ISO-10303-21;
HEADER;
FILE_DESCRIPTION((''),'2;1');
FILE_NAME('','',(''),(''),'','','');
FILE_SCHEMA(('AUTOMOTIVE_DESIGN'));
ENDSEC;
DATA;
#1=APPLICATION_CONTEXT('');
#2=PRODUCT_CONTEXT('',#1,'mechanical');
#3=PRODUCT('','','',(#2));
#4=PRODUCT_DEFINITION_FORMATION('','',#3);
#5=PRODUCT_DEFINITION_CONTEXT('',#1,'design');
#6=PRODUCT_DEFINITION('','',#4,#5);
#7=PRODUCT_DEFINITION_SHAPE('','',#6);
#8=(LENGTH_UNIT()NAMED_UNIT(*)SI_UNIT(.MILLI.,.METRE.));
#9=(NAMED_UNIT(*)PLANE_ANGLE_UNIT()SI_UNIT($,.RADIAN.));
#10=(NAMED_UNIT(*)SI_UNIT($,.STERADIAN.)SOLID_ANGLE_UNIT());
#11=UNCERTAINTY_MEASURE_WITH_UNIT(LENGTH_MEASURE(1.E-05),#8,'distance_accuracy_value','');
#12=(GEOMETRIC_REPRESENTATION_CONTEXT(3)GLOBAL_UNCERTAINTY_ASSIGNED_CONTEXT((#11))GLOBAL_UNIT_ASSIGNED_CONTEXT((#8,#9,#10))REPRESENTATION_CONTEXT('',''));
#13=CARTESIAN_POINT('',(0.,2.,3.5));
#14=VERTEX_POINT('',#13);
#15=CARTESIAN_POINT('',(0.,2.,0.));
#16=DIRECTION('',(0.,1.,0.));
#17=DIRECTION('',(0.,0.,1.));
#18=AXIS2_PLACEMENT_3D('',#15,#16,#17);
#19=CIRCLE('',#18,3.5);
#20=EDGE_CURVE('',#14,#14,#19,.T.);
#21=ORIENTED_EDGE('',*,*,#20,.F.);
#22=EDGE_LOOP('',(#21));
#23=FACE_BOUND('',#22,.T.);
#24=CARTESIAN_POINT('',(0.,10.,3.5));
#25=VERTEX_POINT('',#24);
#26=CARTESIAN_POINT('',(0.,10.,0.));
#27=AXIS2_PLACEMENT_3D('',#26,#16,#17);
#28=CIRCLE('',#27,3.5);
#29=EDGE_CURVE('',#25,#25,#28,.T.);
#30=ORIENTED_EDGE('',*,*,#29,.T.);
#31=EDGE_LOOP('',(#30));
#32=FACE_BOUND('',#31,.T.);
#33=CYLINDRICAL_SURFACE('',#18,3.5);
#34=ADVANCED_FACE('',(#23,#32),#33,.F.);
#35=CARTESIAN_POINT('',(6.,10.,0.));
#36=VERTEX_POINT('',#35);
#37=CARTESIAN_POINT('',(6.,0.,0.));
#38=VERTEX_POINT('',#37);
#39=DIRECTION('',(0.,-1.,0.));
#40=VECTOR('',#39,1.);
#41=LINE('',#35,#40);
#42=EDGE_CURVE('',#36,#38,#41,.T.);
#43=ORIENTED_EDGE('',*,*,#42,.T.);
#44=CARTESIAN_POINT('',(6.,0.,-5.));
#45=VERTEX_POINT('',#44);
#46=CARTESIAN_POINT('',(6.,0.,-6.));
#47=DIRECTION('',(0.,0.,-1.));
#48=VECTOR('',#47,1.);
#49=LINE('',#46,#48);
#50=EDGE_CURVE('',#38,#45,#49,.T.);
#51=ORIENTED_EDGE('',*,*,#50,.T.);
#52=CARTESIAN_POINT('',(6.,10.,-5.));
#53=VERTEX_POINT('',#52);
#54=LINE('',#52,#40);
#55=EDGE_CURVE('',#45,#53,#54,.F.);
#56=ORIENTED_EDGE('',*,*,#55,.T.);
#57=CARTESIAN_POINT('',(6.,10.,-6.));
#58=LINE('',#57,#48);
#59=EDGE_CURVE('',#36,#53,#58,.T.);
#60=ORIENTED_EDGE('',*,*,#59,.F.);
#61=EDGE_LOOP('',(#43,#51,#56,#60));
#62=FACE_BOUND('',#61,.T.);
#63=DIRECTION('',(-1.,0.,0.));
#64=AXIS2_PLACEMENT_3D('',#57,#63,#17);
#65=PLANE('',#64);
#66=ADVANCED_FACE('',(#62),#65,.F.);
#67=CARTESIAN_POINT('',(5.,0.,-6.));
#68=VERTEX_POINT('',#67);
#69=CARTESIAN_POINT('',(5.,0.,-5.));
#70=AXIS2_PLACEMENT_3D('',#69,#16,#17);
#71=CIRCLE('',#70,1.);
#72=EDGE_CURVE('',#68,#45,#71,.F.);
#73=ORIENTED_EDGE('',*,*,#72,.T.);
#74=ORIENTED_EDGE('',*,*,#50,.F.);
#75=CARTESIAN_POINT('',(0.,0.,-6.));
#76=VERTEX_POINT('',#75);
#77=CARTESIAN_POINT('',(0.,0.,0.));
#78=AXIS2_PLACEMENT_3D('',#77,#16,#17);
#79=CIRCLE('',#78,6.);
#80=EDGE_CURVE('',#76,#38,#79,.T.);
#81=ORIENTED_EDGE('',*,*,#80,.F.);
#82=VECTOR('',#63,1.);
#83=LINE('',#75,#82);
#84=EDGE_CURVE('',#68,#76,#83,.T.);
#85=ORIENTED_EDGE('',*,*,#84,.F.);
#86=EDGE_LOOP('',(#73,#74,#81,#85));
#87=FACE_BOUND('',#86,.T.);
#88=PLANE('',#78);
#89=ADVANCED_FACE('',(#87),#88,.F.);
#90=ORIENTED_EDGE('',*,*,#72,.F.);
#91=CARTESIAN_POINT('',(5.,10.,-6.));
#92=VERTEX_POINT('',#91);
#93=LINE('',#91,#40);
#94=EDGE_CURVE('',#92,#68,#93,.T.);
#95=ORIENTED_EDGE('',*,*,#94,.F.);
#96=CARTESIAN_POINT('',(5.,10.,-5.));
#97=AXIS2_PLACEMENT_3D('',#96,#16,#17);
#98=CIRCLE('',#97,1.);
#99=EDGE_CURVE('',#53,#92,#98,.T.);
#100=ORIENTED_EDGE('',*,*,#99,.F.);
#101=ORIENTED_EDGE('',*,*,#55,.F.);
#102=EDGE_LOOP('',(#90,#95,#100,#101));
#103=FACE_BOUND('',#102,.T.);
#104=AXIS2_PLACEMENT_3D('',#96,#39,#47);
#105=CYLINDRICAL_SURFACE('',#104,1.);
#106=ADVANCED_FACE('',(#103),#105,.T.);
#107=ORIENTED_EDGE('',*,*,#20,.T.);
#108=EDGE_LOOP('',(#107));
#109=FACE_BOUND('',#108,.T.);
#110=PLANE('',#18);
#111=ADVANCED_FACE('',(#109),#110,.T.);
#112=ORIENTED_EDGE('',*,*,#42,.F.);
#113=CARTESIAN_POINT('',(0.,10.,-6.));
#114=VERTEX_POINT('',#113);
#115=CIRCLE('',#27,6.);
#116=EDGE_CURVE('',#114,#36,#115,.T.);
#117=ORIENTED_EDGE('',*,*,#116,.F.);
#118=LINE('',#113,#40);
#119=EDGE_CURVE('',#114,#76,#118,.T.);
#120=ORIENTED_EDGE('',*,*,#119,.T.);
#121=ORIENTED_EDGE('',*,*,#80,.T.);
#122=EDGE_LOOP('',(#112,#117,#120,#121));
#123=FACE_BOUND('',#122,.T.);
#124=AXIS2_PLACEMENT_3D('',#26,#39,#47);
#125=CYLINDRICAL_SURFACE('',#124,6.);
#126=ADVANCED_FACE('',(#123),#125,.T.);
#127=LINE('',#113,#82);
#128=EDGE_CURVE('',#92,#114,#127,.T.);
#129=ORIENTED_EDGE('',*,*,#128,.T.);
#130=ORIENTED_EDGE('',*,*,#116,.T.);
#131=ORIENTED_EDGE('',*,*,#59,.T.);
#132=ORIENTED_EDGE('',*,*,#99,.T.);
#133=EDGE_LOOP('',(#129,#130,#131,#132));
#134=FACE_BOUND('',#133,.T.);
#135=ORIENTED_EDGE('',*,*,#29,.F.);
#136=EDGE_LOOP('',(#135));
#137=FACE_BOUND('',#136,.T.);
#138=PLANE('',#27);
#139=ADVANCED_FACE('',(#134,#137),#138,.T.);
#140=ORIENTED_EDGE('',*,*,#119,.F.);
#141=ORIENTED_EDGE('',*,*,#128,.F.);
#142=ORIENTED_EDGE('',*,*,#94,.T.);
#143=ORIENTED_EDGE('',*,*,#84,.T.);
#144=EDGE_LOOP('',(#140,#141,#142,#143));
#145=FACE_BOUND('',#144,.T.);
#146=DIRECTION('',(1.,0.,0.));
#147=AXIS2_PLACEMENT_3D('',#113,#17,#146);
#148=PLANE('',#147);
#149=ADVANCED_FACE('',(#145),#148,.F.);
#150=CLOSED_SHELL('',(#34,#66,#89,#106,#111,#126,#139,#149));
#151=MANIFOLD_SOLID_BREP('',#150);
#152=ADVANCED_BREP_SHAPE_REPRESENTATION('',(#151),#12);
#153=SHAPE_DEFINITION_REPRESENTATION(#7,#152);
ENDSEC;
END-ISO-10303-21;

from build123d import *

# Parameters (mm, degrees)
BOSS_EXTRUDE1_DEPTH = 10
SKETCH2_R           = 3.5
CUT_EXTRUDE1_DEPTH  = 8
FILLET1_R           = 1


with BuildPart() as part:
    # Sketch1 → Boss-Extrude1 (new body)
    with BuildSketch(Plane(origin=(0, 0, 0), x_dir=(1, 0, 0), z_dir=(0, 1, 0))):
        with BuildLine():
            Line((0, 6), (6, 6))
            Line((6, 6), (6, 0))
            ThreePointArc((6, 0), (-4.242640687, -4.242640687), (0, 6))
        make_face()
    extrude(amount=BOSS_EXTRUDE1_DEPTH)

    # Sketch2 → Cut-Extrude1 (cut)
    with BuildSketch(Plane(origin=(0, 10, 0), x_dir=(1, 0, 0), z_dir=(0, 1, 0))):
        with Locations(Location((0, 0, 0), (0, 0, 270))):  # turned: the seam where the file's is
            Circle(SKETCH2_R)
    extrude(amount=-CUT_EXTRUDE1_DEPTH, mode=Mode.SUBTRACT)

    # Fillet1
    fillet1_edges = [part.edges().sort_by_distance(p)[0] for p in [
        (6, 5, -6),
    ]]
    fillet(fillet1_edges, radius=FILLET1_R)


solid = part.part
